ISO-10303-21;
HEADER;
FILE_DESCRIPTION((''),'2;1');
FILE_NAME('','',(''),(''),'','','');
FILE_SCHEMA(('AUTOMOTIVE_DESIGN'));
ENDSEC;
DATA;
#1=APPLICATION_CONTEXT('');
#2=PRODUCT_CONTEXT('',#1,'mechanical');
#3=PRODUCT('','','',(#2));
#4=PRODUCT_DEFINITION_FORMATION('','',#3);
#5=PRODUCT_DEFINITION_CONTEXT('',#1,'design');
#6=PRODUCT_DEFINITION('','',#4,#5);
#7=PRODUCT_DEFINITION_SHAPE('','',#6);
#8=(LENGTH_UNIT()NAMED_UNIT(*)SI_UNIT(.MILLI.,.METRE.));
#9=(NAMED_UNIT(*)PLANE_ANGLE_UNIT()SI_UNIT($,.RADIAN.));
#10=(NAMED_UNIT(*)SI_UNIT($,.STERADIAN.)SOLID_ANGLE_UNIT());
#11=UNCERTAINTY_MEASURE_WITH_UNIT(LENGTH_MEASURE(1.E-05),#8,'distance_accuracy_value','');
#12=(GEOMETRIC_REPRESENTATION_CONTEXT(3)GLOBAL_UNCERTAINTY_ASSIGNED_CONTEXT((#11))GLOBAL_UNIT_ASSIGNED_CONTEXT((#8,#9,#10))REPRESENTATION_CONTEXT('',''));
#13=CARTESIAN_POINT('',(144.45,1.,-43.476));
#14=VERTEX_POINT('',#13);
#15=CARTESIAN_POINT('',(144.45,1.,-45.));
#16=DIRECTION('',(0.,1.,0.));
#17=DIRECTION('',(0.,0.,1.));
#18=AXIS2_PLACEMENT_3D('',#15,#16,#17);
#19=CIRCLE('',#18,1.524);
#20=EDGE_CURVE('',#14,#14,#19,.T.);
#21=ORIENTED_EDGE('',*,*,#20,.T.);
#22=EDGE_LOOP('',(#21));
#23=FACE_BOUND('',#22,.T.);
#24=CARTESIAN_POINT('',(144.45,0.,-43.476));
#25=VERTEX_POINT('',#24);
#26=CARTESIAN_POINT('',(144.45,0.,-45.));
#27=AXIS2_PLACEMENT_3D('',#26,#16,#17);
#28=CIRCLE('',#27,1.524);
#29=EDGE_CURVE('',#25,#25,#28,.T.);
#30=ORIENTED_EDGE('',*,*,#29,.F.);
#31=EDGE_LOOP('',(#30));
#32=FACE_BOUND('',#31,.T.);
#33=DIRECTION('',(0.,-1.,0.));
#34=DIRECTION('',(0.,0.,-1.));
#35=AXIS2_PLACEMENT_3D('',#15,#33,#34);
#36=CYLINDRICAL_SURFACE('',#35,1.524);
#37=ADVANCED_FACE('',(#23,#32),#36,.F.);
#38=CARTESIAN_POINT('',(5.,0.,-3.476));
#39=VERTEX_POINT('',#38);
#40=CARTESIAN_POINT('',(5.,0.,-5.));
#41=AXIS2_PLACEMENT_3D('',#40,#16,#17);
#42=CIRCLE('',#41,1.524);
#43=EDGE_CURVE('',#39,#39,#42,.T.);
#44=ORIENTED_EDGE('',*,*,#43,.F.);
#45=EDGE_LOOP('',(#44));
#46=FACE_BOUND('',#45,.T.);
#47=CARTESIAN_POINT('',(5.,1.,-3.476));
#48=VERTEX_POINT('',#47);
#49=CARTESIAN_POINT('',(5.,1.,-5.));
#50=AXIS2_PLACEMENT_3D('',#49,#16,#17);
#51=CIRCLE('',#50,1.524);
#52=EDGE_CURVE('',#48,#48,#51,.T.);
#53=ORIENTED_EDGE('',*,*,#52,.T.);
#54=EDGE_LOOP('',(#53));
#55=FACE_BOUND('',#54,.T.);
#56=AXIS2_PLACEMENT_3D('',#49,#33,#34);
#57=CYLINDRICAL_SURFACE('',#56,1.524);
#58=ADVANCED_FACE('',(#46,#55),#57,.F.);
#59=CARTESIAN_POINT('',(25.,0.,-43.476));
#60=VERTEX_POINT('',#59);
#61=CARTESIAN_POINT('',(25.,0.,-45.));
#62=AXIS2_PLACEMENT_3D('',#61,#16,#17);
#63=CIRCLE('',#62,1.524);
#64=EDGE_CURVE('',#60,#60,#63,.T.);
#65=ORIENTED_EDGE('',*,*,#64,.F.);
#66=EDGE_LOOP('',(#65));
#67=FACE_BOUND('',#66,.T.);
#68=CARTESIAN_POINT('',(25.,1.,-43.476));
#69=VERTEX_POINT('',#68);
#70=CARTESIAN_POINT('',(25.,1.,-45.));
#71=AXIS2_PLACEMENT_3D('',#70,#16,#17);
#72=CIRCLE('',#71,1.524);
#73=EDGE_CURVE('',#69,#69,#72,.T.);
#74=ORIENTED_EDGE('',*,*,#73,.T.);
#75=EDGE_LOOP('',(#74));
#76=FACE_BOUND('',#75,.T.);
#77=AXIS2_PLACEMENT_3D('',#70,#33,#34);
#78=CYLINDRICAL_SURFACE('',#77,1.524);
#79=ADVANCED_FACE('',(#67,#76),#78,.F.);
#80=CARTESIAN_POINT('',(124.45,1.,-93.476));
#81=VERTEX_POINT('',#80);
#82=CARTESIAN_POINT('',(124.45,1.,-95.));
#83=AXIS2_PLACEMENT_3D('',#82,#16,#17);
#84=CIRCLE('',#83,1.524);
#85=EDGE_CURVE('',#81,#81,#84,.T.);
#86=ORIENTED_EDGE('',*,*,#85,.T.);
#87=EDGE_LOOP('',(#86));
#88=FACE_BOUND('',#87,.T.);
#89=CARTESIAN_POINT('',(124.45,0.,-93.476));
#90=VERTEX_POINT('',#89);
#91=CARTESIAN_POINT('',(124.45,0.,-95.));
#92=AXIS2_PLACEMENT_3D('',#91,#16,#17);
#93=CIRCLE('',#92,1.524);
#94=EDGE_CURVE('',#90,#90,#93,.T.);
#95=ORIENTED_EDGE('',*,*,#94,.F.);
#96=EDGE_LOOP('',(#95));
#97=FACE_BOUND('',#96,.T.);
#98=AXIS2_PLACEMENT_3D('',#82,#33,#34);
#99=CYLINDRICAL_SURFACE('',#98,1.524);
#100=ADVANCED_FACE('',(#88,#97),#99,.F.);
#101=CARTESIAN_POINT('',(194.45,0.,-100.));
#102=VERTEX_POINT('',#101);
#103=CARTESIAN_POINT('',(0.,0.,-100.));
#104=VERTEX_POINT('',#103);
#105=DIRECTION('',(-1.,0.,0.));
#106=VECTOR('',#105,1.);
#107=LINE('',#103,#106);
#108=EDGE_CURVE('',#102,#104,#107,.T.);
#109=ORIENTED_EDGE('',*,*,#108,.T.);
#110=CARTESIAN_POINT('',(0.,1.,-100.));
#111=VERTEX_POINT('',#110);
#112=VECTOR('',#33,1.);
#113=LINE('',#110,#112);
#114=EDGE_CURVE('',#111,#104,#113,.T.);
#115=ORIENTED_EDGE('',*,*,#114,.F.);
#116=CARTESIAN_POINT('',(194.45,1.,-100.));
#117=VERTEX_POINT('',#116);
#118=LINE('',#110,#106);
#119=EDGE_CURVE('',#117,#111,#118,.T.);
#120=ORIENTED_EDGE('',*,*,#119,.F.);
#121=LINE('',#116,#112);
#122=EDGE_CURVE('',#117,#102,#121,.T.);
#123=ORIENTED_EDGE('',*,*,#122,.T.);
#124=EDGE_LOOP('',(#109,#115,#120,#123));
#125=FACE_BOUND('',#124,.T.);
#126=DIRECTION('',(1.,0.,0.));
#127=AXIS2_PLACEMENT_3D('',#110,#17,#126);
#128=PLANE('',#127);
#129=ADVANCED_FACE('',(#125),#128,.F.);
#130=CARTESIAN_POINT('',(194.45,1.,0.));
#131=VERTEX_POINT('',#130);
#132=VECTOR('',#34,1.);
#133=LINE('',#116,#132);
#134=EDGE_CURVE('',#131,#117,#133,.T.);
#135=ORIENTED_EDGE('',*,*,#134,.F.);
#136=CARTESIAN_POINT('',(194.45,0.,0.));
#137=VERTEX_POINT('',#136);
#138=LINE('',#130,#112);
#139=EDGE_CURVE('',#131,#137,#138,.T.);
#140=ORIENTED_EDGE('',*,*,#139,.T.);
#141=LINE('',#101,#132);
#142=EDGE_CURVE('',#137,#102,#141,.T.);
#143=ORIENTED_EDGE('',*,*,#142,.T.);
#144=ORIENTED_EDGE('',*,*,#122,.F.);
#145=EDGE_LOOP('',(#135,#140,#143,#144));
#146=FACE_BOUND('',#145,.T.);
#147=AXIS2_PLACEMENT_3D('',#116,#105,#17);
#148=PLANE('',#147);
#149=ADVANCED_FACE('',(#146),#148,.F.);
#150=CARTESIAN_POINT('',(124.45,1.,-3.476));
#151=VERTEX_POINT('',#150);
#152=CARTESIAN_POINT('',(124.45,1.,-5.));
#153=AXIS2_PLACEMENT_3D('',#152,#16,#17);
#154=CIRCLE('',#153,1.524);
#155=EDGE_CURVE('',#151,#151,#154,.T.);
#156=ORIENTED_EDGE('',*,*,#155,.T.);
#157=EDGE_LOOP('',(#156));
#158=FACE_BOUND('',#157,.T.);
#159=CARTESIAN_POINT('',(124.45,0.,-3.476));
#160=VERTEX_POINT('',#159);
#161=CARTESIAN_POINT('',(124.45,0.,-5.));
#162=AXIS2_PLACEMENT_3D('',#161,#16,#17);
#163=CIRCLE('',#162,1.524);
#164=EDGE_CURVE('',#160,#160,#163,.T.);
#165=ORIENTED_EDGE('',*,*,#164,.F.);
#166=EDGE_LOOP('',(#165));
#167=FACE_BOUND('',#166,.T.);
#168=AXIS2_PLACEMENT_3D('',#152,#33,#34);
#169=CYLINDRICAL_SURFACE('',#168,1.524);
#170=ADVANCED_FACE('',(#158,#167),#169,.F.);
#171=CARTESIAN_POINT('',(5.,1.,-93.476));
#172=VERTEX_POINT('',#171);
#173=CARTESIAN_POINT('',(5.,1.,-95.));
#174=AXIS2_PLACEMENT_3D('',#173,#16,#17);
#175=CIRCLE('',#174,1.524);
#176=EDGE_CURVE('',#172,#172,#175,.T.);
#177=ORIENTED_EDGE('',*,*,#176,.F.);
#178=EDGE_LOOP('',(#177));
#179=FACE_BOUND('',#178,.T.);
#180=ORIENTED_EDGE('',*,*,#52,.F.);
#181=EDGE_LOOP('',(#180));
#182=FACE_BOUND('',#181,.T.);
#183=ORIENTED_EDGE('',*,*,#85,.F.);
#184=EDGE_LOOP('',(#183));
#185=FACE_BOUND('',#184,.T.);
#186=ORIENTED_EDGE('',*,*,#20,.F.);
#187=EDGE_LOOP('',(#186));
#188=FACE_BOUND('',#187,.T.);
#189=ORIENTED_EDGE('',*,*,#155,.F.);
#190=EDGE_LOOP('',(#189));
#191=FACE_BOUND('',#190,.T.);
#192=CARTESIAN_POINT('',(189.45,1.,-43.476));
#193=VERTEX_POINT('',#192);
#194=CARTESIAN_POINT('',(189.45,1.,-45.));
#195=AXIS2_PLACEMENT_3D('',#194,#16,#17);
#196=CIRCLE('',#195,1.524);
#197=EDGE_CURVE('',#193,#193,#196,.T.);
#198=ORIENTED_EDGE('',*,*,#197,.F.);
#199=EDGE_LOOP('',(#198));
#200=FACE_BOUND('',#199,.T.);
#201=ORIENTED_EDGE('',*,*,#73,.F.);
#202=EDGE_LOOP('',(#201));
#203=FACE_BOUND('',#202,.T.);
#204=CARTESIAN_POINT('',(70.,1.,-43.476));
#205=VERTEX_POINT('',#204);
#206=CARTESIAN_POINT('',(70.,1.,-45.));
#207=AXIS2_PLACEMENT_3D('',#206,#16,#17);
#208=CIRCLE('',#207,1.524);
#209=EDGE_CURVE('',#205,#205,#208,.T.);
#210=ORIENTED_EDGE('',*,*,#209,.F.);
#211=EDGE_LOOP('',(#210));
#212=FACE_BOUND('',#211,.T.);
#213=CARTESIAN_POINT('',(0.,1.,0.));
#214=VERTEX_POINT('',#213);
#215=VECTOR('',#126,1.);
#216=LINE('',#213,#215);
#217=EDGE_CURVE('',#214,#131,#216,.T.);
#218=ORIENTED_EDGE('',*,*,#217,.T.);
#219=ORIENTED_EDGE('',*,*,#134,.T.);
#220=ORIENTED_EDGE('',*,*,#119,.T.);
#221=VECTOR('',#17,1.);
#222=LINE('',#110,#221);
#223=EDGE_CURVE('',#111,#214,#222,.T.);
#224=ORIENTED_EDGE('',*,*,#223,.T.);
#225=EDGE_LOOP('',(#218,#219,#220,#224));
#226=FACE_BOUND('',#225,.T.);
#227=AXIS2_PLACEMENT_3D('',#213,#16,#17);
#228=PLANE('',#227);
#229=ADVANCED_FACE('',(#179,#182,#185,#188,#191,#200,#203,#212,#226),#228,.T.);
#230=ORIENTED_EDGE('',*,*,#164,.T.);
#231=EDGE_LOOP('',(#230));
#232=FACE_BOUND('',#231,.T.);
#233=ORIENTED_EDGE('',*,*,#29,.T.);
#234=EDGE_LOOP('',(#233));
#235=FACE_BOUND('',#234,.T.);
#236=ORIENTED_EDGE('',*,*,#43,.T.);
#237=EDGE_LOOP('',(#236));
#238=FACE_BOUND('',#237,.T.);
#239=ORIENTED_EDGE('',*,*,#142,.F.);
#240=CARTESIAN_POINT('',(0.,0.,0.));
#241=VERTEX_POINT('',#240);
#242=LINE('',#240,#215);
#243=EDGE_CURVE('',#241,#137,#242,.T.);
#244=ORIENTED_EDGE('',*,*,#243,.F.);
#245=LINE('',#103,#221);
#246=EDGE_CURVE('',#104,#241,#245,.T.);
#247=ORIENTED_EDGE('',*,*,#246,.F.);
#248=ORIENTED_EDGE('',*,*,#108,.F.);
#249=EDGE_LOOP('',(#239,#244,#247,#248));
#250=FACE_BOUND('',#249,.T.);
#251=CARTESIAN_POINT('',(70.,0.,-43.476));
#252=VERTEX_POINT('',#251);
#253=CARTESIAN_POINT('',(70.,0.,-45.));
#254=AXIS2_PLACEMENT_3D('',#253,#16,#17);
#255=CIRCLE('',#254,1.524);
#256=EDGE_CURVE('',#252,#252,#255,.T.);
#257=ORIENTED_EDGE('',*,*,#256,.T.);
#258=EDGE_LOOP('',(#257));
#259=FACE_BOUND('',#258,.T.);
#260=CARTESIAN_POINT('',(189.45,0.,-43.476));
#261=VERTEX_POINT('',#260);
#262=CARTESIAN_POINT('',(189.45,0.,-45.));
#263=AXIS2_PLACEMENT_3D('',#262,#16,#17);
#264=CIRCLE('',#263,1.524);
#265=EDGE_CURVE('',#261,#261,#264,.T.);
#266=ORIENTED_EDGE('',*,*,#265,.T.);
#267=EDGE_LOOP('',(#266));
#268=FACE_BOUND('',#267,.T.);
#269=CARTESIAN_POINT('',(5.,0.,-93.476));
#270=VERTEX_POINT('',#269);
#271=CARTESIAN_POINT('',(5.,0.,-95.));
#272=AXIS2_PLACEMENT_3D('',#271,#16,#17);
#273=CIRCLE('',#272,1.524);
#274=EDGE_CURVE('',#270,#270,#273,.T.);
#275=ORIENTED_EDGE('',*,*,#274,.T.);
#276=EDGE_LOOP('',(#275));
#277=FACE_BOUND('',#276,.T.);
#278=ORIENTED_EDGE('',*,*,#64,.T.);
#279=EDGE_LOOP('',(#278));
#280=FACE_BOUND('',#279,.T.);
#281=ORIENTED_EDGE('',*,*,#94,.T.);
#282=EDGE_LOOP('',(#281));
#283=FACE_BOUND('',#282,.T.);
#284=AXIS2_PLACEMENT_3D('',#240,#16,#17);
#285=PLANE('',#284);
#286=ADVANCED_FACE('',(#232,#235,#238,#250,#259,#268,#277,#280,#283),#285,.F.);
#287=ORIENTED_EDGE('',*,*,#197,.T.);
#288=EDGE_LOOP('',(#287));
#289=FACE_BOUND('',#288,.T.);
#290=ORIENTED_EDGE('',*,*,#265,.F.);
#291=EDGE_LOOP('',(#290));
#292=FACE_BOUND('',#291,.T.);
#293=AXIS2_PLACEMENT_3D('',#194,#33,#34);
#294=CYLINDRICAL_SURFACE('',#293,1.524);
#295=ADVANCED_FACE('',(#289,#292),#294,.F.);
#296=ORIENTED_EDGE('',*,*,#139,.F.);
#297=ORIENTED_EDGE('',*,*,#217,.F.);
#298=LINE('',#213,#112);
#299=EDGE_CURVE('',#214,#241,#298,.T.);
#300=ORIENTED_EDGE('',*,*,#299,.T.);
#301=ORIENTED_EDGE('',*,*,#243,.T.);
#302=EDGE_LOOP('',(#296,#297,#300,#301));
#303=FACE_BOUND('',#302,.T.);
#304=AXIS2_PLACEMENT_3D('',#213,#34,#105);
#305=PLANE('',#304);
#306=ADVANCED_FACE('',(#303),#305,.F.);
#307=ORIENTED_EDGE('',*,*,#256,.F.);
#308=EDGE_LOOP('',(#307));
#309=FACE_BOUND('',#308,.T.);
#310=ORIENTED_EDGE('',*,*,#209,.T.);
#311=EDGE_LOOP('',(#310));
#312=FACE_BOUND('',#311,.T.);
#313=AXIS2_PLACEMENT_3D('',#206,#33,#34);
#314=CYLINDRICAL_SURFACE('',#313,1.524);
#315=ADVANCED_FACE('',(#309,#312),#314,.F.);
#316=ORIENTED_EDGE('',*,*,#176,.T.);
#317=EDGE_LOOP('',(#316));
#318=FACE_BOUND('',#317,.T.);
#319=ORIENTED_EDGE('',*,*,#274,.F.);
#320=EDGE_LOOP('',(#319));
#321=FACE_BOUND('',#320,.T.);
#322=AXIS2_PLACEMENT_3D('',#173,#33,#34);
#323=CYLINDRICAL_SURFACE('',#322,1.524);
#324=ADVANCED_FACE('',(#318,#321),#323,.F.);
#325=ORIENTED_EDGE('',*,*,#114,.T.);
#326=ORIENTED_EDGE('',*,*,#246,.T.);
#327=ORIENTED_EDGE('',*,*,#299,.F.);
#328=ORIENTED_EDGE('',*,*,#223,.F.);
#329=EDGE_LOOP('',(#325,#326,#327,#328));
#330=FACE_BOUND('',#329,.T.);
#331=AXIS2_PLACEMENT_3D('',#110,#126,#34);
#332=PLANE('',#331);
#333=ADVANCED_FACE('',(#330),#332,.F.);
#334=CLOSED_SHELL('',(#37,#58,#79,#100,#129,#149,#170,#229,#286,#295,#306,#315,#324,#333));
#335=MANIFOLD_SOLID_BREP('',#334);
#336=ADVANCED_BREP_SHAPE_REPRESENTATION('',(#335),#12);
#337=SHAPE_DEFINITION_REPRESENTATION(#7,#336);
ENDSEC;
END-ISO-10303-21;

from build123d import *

# Parameters (mm, degrees)
SKETCH1_W           = 194.45
SKETCH1_H           = 100
SKETCH1_R           = 1.524
BOSS_EXTRUDE2_DEPTH = 1


with BuildPart() as part:
    # Sketch1 → Boss-Extrude2 (new body)
    with BuildSketch(Plane(origin=(0, 0, 0), x_dir=(1, 0, 0), z_dir=(0, 1, 0))):
        with Locations((97.225, 50)):
            Rectangle(SKETCH1_W, SKETCH1_H)
        with Locations(Location((5, 95, 0), (0, 0, 270))):
            Circle(SKETCH1_R, mode=Mode.SUBTRACT)
        with Locations(Location((70, 45, 0), (0, 0, 270))):
            Circle(SKETCH1_R, mode=Mode.SUBTRACT)
        with Locations(Location((5, 5, 0), (0, 0, 270))):
            Circle(SKETCH1_R, mode=Mode.SUBTRACT)
        with Locations(Location((25, 45, 0), (0, 0, 270))):
            Circle(SKETCH1_R, mode=Mode.SUBTRACT)
        with Locations(Location((124.45, 95, 0), (0, 0, 270))):
            Circle(SKETCH1_R, mode=Mode.SUBTRACT)
        with Locations(Location((189.45, 45, 0), (0, 0, 270))):
            Circle(SKETCH1_R, mode=Mode.SUBTRACT)
        with Locations(Location((124.45, 5, 0), (0, 0, 270))):
            Circle(SKETCH1_R, mode=Mode.SUBTRACT)
        with Locations(Location((144.45, 45, 0), (0, 0, 270))):
            Circle(SKETCH1_R, mode=Mode.SUBTRACT)
    extrude(amount=BOSS_EXTRUDE2_DEPTH)


solid = part.part
